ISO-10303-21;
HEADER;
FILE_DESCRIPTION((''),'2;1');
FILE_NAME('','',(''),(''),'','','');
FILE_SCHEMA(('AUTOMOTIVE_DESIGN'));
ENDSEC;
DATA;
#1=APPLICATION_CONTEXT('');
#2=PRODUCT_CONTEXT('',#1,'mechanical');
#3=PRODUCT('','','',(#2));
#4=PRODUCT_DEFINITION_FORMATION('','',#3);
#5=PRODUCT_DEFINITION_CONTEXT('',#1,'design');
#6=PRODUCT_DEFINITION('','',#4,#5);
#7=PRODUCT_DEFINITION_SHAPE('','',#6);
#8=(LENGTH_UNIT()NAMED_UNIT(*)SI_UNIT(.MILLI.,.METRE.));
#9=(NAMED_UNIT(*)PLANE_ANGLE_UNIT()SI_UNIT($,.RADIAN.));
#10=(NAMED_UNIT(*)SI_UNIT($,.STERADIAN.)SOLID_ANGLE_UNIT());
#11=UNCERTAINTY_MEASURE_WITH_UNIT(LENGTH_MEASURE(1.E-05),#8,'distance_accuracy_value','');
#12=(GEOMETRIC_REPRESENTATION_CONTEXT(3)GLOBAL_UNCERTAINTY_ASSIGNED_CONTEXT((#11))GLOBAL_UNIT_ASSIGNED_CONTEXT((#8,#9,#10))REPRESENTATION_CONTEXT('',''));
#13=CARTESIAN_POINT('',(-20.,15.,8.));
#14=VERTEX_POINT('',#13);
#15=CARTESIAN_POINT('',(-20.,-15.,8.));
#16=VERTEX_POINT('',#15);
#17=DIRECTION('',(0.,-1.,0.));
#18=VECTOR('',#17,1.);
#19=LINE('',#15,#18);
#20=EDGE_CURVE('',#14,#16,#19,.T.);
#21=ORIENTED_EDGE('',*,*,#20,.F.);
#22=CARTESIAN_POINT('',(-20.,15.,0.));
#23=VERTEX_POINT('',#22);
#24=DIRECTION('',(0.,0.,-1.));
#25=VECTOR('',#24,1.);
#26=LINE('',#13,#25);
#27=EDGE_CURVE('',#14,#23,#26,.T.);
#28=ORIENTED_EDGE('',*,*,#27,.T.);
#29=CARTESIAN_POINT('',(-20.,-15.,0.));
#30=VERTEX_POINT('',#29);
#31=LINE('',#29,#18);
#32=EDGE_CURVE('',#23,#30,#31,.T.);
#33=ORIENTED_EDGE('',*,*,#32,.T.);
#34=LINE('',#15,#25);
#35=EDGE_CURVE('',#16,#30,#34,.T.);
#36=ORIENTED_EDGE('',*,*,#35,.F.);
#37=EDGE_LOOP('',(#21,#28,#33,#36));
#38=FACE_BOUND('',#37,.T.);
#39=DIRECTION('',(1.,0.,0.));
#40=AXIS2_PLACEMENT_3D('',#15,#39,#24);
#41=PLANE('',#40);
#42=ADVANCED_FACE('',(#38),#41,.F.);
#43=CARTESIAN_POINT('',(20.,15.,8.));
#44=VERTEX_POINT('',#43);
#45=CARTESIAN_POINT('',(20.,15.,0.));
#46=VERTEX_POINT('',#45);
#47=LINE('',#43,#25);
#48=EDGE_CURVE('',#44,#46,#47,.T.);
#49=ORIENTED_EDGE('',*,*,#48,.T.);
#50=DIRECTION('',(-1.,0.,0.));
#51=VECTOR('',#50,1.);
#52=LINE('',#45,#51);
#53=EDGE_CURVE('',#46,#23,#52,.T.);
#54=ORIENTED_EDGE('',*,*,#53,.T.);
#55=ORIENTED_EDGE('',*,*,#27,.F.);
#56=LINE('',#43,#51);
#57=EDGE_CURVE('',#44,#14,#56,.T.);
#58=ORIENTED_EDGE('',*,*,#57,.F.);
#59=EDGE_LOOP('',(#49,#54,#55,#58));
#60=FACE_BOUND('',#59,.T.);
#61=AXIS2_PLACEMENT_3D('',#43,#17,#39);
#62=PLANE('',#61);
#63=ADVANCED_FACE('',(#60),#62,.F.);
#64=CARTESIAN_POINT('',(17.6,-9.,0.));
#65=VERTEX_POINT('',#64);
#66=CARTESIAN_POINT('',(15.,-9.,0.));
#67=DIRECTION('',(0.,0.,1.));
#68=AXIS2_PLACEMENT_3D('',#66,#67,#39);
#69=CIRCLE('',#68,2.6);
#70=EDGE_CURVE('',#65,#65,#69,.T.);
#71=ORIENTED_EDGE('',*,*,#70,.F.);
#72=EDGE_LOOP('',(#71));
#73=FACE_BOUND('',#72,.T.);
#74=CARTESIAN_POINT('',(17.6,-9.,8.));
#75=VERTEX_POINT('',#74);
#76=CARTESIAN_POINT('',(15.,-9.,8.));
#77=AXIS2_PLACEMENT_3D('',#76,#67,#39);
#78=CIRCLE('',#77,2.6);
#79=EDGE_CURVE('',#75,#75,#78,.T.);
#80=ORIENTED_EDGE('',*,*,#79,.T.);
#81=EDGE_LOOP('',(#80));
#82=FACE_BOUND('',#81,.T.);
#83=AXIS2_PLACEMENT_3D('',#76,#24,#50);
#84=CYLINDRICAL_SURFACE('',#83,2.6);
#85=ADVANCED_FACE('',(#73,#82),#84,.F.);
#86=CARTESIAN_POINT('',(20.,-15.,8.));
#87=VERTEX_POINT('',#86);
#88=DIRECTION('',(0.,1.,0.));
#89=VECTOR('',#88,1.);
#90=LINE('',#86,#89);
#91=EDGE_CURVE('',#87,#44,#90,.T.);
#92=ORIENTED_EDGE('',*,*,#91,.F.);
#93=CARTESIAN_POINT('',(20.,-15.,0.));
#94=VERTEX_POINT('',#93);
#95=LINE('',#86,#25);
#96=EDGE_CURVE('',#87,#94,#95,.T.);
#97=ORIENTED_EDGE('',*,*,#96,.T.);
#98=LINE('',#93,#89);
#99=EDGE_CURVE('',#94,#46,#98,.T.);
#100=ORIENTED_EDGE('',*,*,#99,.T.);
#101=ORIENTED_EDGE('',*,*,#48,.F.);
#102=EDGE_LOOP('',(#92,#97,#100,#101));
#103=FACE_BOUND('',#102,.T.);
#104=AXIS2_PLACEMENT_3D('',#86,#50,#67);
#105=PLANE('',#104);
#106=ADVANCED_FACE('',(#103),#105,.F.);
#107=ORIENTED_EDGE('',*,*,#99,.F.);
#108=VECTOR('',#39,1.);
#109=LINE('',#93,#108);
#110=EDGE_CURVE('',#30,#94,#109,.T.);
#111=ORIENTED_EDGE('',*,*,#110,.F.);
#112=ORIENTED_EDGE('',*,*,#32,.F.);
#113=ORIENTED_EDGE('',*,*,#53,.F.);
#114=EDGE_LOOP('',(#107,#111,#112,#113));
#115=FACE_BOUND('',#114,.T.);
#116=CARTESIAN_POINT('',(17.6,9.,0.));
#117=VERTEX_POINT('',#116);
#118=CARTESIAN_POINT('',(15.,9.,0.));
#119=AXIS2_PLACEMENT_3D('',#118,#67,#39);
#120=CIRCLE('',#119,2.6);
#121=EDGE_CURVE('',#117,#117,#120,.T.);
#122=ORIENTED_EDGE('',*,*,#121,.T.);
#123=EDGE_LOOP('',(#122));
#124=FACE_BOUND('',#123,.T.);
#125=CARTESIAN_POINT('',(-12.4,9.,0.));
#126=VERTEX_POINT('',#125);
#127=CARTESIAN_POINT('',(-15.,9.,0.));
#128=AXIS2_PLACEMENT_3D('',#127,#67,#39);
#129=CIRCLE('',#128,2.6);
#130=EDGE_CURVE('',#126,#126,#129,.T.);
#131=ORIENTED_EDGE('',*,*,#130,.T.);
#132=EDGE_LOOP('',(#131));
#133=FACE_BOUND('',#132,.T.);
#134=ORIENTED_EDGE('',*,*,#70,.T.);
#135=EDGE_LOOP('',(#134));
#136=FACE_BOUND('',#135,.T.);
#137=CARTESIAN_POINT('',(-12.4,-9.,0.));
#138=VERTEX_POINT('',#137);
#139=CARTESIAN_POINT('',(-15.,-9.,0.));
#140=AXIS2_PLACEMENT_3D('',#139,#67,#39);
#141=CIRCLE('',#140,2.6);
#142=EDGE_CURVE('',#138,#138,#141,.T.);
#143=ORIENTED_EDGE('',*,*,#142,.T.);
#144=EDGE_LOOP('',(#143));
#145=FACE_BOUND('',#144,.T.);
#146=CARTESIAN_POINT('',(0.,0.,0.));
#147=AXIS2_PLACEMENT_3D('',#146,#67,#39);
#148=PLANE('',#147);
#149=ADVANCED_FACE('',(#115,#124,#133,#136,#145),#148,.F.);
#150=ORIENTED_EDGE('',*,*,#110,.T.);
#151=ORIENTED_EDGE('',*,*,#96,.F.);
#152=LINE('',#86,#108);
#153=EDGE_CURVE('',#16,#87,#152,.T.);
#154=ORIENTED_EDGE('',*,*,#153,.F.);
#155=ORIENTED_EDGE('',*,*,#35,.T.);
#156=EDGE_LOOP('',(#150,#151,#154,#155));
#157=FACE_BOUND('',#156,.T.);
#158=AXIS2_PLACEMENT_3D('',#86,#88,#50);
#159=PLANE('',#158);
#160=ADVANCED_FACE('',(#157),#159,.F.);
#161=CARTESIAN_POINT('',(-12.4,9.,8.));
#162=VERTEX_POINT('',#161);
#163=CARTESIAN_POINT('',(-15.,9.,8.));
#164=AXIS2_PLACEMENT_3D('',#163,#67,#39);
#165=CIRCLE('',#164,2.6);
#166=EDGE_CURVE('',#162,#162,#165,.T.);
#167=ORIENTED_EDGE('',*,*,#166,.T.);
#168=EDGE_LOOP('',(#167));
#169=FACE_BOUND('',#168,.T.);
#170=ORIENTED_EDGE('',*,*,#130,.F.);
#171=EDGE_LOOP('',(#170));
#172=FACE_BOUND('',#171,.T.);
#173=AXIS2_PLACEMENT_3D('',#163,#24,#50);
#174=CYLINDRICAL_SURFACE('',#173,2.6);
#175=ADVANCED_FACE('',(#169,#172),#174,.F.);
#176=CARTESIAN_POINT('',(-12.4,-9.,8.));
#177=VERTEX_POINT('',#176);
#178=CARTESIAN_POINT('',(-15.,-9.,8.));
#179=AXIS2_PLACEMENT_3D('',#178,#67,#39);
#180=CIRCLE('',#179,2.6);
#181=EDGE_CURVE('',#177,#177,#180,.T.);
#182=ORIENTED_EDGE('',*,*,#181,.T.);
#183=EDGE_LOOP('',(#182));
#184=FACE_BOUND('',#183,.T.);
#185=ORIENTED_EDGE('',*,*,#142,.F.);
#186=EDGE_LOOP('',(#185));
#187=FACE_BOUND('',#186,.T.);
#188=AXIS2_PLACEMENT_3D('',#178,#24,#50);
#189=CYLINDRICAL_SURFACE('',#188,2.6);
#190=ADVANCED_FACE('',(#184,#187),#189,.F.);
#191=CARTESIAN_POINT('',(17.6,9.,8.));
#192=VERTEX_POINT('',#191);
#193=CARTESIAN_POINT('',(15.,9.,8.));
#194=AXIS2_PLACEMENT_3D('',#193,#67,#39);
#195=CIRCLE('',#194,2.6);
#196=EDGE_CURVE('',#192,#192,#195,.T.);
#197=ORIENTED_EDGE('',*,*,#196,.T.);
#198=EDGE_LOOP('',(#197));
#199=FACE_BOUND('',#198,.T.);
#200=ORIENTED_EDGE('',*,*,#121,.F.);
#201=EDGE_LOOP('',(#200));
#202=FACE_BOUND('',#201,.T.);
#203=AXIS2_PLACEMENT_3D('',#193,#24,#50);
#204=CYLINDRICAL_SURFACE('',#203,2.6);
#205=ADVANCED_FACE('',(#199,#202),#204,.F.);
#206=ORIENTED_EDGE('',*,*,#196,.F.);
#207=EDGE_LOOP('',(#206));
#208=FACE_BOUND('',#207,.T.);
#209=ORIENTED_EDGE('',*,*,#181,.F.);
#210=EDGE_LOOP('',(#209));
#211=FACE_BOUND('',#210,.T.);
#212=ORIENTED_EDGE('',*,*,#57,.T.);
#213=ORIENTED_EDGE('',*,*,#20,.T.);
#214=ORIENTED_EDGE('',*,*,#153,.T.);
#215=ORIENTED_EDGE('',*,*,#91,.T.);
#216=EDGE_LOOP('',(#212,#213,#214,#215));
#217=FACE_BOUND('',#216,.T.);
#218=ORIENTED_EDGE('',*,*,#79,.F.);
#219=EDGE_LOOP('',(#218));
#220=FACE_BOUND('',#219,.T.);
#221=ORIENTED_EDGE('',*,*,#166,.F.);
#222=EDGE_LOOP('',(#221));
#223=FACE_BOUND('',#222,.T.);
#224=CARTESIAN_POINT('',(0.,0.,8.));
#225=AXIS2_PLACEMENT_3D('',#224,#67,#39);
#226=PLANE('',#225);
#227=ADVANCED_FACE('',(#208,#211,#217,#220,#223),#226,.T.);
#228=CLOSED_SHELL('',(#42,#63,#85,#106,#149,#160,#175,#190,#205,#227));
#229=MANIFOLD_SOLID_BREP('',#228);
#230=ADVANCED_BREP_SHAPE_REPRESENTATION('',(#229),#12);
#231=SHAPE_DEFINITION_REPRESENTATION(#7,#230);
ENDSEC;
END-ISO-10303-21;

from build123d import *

# Parameters (mm, degrees)
SKETCH_1_W      = 40
SKETCH_1_H      = 30
SKETCH_1_R      = 2.6
EXTRUDE_1_DEPTH = 8


with BuildPart() as part:
    # 草图1 → 凸台-拉伸1 (new body)
    with BuildSketch(Plane.XY):
        Rectangle(SKETCH_1_W, SKETCH_1_H)
        with Locations((-15, -9)):
            Circle(SKETCH_1_R, mode=Mode.SUBTRACT)
        with Locations((15, -9)):
            Circle(SKETCH_1_R, mode=Mode.SUBTRACT)
        with Locations((-15, 9)):
            Circle(SKETCH_1_R, mode=Mode.SUBTRACT)
        with Locations((15, 9)):
            Circle(SKETCH_1_R, mode=Mode.SUBTRACT)
    extrude(amount=EXTRUDE_1_DEPTH)


solid = part.part
